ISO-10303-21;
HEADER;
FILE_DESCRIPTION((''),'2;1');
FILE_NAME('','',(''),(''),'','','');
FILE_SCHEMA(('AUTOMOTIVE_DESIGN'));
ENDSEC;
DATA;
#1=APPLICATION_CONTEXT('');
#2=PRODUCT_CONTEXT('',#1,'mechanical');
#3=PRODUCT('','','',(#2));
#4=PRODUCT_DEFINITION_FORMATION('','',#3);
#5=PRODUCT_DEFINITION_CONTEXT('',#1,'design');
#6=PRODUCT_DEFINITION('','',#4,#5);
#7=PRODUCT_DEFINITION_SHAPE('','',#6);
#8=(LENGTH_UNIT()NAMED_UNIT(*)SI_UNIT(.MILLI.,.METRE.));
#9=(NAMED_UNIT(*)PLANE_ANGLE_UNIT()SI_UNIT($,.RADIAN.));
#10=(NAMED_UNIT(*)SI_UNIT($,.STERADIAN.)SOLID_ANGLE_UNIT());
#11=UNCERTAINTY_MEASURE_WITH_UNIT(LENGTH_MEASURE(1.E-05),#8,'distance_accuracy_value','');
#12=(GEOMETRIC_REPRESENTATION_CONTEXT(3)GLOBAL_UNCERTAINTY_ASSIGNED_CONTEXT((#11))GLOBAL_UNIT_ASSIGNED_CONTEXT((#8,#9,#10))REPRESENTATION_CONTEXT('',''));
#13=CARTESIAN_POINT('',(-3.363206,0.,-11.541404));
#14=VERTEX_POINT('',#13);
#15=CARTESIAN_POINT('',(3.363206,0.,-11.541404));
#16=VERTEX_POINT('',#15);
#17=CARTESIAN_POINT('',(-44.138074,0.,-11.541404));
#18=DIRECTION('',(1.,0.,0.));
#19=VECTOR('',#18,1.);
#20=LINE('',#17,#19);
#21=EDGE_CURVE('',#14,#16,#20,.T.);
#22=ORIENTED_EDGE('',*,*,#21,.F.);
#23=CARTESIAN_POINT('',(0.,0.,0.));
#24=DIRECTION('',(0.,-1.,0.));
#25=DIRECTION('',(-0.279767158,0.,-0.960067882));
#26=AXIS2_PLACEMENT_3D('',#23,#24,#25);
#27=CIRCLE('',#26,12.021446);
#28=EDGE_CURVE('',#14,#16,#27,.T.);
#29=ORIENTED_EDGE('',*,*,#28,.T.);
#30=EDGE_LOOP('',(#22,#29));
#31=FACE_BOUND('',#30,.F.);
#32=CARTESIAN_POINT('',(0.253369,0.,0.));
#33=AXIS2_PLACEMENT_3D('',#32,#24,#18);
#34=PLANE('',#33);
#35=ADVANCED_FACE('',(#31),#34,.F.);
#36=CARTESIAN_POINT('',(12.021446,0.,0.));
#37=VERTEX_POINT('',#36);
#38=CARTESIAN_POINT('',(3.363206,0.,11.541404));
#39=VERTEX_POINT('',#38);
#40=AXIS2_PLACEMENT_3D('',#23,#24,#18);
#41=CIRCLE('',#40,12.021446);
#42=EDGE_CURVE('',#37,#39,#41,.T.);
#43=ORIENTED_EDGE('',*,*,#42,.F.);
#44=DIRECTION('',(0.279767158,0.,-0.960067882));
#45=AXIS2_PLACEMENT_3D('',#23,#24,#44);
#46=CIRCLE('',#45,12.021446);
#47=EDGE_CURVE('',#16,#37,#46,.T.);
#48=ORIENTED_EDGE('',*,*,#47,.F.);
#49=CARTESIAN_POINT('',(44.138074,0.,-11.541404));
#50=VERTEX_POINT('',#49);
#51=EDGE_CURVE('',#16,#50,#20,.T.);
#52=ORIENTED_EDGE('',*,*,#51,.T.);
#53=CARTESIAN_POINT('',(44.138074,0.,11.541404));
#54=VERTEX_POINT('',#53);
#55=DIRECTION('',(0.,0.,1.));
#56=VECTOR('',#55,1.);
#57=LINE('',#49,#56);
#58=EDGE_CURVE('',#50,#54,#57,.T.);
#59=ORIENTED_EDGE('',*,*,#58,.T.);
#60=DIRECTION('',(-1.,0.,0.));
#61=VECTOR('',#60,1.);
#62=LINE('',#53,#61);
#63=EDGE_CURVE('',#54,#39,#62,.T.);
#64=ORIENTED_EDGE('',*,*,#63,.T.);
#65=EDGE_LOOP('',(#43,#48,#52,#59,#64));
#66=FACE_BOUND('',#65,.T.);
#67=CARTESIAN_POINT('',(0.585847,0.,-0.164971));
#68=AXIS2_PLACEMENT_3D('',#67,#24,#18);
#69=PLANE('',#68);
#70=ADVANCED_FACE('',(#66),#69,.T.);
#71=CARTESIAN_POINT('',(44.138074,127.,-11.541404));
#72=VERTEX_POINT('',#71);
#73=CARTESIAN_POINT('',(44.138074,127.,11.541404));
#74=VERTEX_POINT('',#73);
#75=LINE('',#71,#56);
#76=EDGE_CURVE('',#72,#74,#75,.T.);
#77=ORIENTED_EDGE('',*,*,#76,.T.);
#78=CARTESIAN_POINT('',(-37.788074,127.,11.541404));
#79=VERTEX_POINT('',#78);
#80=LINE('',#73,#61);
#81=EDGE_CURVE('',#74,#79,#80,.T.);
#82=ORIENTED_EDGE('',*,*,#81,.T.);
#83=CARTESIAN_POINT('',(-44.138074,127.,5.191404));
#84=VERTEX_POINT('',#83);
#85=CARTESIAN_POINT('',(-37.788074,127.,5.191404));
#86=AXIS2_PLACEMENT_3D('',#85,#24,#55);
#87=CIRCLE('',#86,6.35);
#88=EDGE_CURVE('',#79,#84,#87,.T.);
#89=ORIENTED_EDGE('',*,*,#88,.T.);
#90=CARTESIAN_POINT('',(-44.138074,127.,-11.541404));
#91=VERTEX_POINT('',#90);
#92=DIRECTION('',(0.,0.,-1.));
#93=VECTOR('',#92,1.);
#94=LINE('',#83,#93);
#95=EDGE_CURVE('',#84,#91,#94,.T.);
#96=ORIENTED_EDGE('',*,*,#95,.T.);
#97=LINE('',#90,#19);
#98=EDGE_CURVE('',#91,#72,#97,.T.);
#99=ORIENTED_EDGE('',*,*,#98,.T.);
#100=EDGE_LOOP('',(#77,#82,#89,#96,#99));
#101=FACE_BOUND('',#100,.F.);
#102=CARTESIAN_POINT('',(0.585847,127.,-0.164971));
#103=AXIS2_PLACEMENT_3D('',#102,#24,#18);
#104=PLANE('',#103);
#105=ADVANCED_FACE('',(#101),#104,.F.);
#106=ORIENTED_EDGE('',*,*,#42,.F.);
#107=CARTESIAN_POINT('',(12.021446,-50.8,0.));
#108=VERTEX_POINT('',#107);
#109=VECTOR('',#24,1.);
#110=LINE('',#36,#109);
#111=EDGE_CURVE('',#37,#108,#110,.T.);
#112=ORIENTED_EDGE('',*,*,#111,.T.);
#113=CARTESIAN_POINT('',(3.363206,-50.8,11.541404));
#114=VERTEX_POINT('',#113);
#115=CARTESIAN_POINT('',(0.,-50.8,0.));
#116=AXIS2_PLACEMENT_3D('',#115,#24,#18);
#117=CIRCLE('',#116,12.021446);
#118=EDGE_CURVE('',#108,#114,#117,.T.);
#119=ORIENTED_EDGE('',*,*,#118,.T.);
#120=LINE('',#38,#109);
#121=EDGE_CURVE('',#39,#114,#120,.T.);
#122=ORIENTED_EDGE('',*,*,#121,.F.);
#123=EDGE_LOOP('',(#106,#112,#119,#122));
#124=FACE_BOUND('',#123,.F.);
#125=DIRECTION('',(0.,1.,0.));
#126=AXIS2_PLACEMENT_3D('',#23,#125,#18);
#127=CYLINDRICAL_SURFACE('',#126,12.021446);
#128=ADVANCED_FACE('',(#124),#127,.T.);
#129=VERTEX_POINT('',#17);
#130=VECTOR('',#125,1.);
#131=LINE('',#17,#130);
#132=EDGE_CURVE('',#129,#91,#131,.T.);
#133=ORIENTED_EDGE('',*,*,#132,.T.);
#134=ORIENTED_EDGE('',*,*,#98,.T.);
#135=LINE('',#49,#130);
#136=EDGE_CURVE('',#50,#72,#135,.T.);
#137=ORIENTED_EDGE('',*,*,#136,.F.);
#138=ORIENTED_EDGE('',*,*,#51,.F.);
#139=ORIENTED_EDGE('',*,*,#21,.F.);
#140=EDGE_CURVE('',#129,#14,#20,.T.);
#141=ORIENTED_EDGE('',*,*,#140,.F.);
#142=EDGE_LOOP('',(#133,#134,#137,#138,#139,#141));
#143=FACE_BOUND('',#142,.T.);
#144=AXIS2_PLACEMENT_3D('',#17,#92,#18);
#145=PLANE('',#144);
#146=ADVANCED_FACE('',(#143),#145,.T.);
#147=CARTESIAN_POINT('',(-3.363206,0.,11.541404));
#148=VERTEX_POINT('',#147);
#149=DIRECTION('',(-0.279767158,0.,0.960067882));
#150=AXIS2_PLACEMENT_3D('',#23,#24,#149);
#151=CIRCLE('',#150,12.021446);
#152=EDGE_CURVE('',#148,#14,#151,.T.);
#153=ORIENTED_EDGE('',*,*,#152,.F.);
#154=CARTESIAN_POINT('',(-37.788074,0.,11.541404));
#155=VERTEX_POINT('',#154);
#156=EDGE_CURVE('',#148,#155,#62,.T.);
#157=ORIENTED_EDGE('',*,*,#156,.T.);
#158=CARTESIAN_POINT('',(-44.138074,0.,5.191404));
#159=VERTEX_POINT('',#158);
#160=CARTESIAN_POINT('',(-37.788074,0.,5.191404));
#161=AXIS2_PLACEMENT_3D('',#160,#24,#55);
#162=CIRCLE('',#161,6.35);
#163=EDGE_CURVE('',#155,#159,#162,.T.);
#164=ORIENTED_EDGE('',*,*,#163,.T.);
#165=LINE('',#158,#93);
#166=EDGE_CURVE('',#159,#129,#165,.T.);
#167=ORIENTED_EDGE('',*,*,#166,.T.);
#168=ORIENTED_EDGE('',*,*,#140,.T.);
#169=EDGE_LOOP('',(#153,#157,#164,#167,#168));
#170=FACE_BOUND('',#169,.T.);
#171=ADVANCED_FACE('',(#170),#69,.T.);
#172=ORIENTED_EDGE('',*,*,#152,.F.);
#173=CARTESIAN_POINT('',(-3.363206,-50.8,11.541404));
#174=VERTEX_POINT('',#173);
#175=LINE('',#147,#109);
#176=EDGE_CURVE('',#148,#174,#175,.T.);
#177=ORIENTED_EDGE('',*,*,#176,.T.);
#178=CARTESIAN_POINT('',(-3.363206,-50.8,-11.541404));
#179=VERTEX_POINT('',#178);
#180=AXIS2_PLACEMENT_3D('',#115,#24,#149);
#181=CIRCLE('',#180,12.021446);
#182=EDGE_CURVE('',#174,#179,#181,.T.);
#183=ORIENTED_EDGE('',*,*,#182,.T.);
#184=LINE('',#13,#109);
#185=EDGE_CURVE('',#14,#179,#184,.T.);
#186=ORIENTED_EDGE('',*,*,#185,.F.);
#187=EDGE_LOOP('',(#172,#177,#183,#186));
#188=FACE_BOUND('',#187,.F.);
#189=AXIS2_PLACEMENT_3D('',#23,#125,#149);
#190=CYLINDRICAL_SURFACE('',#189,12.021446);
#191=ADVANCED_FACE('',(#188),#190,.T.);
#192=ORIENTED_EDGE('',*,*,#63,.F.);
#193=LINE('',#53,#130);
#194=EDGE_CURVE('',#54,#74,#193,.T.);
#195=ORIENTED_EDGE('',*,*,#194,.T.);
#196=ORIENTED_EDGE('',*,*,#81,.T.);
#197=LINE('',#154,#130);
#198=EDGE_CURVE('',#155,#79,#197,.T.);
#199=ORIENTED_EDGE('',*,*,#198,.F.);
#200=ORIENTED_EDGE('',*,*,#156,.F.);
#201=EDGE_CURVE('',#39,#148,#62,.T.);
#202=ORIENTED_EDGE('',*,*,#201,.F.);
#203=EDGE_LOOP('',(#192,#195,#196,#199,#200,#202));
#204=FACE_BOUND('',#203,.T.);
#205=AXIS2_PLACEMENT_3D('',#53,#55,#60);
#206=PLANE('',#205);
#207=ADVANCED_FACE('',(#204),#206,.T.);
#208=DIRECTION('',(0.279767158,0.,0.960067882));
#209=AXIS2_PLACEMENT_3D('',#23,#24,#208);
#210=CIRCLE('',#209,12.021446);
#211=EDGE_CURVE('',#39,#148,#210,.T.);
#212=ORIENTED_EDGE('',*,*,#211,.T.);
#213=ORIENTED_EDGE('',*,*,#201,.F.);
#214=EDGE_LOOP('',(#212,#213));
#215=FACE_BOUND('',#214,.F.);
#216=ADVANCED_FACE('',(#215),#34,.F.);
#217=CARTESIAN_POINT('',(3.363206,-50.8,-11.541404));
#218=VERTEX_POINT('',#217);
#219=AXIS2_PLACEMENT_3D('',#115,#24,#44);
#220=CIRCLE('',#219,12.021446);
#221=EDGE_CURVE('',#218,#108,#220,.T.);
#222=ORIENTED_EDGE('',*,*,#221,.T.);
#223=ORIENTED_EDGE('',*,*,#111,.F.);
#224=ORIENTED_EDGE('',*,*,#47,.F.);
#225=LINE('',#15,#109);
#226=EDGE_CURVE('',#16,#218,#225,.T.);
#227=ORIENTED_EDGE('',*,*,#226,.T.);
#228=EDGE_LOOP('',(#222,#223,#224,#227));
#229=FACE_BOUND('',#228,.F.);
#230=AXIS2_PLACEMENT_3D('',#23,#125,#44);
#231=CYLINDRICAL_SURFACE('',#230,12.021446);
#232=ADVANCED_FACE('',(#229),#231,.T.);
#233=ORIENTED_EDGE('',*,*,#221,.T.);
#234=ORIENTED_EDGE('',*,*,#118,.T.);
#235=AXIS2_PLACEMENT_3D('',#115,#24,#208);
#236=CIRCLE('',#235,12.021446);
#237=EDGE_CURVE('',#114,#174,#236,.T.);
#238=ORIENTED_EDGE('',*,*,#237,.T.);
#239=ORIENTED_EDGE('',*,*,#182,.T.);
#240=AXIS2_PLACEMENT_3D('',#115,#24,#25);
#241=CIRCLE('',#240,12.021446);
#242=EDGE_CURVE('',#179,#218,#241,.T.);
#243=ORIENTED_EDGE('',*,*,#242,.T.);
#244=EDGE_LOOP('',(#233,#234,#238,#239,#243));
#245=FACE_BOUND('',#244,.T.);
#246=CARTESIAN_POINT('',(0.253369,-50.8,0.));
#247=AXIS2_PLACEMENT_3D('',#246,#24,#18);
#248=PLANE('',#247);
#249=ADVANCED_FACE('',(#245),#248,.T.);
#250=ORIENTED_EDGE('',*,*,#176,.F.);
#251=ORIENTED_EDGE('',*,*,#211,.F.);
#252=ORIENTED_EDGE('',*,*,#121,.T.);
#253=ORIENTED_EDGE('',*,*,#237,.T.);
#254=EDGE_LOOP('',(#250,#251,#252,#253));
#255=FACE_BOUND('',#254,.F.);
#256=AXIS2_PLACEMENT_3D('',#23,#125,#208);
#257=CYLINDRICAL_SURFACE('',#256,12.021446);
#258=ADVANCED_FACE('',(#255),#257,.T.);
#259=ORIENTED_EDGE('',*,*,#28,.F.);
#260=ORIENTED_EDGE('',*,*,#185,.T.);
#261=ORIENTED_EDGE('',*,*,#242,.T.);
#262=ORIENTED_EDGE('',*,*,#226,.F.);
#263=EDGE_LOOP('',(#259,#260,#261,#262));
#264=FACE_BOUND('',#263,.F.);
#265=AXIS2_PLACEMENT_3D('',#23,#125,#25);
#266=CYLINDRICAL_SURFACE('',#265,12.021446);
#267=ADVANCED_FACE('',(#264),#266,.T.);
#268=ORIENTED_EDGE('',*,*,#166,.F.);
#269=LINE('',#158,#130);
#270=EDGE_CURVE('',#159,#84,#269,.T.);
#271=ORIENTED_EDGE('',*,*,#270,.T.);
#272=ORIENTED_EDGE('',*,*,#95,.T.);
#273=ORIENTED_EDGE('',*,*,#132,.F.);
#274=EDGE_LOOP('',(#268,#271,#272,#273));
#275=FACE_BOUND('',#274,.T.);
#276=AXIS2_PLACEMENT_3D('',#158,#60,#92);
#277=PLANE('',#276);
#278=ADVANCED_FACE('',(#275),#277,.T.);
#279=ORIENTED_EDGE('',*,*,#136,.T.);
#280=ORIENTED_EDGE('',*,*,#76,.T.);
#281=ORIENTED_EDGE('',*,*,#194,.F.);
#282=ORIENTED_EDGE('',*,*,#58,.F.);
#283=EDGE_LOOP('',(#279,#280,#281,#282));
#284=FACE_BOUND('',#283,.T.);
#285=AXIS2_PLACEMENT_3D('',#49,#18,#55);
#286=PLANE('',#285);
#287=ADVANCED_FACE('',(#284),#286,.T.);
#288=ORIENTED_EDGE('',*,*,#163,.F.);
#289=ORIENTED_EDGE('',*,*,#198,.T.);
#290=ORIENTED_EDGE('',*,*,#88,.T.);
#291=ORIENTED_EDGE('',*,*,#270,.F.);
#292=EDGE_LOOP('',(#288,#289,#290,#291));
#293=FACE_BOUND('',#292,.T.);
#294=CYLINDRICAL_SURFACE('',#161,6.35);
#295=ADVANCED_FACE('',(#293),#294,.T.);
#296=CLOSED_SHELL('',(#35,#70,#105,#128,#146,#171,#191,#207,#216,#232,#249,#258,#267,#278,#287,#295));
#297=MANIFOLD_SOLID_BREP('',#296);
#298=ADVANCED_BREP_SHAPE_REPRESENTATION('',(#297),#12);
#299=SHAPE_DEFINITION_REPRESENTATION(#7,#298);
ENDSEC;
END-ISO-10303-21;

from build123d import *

# Parameters (mm, degrees)
F1_DEPTH = 127
F2_R     = 7.6486449209
F3_DEPTH = 50.8


with BuildPart() as f1:
    # F0 (on Front) → F1 (new body)
    with BuildSketch(Plane.XZ):
        with BuildLine():
            Line((-44.1380739212, -11.5414038301), (44.1380739212, -11.5414038301))
            Line((44.1380739212, -11.5414038301), (44.1380739212, 11.5414038301))
            Line((44.1380739212, 11.5414038301), (-37.7880739212, 11.5414038301))
            ThreePointArc((-37.7880739212, 11.5414038301), (-42.2782019817, 9.6815318906), (-44.1380739212, 5.1914038301))
            Line((-44.1380739212, 5.1914038301), (-44.1380739212, -11.5414038301))
        make_face()
    extrude(amount=-F1_DEPTH)

    # F2 (on face) → F3 (join)
    with BuildSketch(Plane.XZ):
        with BuildLine():
            ThreePointArc((3.3632056701, -11.5414038301), (9.616281735, -7.2140335694), (12.0214456181, 0))
            ThreePointArc((12.0214456181, 0), (9.616281735, 7.2140335694), (3.3632056701, 11.5414038301))
            Line((3.3632056701, 11.5414038301), (-3.3632056701, 11.5414038301))
            ThreePointArc((-3.3632056701, 11.5414038301), (-12.0214456181, 0), (-3.3632056701, -11.5414038301))
            Line((-3.3632056701, -11.5414038301), (3.3632056701, -11.5414038301))
        make_face()
        Circle(F2_R, mode=Mode.SUBTRACT)
        Circle(F2_R)
        with BuildLine():
            Line((-3.3632056701, 11.5414038301), (3.3632056701, 11.5414038301))
            ThreePointArc((3.3632056701, 11.5414038301), (0, 12.0214456181), (-3.3632056701, 11.5414038301))
        make_face()
        with BuildLine():
            ThreePointArc((-3.3632056701, -11.5414038301), (0, -12.0214456181), (3.3632056701, -11.5414038301))
            Line((3.3632056701, -11.5414038301), (-3.3632056701, -11.5414038301))
        make_face()
    extrude(amount=F3_DEPTH)


solid = f1.part
